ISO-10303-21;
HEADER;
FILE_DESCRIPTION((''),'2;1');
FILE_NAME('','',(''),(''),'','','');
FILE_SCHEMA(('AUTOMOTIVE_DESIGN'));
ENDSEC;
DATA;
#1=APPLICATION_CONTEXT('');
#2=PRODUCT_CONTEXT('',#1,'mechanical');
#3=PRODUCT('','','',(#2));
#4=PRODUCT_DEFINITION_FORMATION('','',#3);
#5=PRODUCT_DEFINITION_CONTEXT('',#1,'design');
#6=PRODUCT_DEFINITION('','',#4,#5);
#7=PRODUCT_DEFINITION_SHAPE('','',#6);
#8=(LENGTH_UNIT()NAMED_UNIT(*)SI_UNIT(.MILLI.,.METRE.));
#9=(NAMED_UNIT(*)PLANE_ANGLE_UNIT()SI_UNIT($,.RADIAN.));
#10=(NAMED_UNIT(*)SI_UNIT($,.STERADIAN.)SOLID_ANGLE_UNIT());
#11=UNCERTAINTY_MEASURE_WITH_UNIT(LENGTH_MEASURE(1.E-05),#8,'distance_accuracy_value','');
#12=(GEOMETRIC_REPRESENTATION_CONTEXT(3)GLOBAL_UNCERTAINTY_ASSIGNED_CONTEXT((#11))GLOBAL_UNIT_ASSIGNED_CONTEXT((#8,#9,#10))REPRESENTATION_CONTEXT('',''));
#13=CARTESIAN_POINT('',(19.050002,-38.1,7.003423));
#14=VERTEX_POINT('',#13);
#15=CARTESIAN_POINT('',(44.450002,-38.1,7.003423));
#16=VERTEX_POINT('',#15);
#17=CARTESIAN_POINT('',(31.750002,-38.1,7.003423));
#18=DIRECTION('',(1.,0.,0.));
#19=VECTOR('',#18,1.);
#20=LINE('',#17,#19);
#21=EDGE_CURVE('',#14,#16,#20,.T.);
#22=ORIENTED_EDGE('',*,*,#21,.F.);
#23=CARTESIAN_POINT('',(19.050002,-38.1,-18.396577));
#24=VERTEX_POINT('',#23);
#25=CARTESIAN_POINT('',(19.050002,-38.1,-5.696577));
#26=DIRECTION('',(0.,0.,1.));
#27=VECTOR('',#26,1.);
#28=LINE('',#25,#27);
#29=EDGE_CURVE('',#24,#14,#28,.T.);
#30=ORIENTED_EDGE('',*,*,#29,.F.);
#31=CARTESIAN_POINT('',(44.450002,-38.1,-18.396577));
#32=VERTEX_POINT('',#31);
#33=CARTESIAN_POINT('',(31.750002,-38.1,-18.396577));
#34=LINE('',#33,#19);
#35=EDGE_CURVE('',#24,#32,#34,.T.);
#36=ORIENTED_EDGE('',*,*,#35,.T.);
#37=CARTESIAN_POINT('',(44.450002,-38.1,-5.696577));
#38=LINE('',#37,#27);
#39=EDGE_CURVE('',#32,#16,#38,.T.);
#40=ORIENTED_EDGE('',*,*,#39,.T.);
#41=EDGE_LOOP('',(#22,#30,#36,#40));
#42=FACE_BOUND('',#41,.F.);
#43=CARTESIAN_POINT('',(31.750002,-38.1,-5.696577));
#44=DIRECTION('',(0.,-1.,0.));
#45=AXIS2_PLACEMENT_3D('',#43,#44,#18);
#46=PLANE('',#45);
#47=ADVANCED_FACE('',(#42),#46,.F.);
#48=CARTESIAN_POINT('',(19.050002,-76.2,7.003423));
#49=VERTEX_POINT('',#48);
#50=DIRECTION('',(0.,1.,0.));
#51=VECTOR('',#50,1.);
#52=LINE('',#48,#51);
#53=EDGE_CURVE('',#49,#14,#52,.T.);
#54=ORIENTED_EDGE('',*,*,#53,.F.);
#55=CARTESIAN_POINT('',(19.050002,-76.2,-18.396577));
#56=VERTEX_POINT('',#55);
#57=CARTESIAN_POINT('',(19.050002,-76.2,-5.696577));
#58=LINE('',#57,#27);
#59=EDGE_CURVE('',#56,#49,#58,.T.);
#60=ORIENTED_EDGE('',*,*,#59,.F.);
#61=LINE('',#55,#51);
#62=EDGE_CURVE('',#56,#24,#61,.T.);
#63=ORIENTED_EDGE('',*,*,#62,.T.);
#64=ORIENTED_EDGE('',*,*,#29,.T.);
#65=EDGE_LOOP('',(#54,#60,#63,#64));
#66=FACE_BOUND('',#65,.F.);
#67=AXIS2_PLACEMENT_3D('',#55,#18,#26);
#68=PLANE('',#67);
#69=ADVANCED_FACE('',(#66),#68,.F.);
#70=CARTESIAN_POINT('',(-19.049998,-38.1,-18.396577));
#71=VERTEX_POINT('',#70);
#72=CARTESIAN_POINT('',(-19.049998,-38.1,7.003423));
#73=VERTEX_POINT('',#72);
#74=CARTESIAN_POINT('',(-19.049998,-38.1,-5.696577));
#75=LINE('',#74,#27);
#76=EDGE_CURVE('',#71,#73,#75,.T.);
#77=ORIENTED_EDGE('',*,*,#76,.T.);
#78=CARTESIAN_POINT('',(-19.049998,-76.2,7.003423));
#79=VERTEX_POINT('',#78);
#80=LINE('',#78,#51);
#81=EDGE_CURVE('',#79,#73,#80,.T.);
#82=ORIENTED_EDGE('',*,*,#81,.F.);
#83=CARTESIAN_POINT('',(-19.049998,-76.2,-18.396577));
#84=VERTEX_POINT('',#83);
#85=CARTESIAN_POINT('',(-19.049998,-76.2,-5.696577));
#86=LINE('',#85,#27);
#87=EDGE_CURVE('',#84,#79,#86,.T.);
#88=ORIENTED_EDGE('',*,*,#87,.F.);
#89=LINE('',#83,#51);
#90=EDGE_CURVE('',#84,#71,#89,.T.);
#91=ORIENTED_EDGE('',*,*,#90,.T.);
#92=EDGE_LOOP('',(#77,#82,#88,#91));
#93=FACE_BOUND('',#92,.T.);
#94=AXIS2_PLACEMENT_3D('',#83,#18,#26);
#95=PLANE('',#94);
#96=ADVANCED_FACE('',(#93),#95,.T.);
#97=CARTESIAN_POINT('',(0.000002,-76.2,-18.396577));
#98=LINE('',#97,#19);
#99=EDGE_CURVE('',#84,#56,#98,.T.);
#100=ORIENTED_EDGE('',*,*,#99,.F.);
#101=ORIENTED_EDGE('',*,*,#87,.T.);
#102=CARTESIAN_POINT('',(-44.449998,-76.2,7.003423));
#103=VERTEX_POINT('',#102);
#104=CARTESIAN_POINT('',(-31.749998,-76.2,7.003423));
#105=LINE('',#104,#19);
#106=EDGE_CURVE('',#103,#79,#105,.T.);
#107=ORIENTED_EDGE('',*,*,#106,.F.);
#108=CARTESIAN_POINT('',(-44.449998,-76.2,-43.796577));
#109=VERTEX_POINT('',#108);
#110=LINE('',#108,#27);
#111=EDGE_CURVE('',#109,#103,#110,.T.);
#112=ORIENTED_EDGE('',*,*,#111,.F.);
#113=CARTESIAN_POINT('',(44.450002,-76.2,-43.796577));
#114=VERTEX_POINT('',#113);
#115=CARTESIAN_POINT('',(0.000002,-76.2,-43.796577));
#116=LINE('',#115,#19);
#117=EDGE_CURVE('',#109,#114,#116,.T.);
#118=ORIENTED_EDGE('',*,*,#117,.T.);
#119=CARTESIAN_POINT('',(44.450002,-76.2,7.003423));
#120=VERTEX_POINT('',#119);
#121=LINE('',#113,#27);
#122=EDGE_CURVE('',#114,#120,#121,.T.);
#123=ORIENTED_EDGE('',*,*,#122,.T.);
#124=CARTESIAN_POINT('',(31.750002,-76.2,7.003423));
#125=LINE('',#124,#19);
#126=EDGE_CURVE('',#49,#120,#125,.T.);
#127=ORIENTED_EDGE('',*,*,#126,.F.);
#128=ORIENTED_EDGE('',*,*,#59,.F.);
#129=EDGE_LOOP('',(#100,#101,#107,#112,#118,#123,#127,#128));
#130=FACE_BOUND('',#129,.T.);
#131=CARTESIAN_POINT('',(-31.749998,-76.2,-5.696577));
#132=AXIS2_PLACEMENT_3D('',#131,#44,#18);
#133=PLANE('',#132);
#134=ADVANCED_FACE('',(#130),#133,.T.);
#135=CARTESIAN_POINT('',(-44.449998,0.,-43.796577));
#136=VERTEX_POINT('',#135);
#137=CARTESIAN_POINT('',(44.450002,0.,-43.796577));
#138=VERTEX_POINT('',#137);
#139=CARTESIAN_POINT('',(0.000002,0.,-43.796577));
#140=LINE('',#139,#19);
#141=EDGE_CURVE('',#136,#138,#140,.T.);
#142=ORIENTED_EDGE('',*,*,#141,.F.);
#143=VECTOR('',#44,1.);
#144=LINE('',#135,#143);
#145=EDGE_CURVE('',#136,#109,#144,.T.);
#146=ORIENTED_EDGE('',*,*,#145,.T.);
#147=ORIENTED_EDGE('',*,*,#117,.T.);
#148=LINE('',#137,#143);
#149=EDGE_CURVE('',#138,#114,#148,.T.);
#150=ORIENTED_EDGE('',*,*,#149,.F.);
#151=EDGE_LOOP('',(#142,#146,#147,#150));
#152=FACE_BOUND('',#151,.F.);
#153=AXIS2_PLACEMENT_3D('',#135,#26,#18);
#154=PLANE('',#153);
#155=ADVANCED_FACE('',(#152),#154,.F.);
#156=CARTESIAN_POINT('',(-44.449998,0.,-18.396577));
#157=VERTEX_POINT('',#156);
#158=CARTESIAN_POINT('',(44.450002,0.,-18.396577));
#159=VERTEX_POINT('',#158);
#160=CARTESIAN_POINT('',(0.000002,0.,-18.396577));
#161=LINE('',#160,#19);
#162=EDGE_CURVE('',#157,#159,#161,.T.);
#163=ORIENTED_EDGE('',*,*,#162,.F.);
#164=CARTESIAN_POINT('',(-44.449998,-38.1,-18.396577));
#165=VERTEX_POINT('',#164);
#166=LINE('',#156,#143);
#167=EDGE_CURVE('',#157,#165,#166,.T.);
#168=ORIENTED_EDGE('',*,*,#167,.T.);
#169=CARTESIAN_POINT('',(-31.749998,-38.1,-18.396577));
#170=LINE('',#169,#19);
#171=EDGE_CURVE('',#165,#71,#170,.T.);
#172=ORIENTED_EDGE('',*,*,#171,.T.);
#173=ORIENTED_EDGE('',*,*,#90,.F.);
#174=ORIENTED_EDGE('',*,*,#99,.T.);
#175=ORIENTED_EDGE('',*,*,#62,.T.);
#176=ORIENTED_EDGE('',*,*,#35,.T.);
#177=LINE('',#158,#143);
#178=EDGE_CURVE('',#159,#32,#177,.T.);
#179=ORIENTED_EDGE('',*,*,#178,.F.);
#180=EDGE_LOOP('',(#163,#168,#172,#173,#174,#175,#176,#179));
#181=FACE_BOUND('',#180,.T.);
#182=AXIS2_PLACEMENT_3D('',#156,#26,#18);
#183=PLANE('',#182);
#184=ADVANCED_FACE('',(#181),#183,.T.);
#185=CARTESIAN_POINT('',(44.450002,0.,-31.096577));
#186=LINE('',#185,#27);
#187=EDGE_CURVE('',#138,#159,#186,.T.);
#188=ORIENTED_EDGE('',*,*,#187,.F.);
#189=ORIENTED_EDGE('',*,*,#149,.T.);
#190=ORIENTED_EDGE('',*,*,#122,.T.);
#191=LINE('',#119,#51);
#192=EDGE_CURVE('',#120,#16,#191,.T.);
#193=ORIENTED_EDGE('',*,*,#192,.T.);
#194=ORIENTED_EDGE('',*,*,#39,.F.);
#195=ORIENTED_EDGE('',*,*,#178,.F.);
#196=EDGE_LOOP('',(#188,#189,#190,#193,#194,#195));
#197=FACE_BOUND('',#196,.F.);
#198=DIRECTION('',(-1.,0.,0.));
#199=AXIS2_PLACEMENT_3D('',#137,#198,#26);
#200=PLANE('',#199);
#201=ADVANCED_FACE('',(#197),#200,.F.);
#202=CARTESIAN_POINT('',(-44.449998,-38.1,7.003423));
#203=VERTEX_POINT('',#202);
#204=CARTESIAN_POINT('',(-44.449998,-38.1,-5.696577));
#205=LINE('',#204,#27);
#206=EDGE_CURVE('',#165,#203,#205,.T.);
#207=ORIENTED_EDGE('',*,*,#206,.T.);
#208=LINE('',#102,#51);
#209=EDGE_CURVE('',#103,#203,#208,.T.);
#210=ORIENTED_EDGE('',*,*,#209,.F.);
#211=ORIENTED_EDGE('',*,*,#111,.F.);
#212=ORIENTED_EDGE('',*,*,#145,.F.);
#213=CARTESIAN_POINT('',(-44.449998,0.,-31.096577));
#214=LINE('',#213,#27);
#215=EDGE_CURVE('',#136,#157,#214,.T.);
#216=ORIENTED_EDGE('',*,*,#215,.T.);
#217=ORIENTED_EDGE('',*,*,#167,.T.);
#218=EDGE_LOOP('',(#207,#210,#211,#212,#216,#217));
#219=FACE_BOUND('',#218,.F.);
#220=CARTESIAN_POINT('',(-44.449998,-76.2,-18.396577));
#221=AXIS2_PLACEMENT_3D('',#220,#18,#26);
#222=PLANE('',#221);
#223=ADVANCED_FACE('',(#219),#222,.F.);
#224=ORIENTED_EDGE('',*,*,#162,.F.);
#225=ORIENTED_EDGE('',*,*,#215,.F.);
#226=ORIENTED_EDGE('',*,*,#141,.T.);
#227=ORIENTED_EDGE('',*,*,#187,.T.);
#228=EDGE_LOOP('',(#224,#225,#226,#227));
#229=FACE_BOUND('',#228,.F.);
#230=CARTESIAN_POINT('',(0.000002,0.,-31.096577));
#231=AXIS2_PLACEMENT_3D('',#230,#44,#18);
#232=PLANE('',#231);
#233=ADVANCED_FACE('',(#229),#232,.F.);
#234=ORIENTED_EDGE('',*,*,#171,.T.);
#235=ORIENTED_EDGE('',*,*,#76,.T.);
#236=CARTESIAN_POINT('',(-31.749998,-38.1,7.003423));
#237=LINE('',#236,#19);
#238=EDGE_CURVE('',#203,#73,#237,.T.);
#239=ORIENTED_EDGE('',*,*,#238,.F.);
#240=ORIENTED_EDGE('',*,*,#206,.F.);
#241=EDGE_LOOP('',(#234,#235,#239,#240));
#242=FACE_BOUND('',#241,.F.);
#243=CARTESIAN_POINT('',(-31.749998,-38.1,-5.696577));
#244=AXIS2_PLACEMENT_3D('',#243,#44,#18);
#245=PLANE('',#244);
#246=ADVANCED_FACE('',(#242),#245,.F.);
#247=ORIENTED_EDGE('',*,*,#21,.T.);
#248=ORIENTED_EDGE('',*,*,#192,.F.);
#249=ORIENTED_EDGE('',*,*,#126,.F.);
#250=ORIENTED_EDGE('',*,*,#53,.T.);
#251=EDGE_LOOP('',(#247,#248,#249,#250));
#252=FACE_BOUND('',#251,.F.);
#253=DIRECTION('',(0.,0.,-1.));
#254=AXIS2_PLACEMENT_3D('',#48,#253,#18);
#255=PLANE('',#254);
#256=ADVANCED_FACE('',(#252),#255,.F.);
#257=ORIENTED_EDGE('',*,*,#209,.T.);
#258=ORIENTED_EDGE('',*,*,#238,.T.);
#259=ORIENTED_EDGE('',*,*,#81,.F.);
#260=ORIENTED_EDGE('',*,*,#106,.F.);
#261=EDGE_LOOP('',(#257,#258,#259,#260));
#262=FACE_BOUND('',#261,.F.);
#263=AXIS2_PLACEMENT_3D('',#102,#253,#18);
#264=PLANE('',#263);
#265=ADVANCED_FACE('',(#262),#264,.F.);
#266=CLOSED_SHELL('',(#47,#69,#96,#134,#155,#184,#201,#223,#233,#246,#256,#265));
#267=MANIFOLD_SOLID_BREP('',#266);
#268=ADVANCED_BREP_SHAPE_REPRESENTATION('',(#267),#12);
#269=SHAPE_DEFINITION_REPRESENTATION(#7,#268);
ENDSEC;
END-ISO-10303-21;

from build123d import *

# Parameters (mm, degrees)
F0_W     = 88.9
F0_H     = 25.4
F1_DEPTH = 76.2
F2_W     = 25.4
F2_H     = 25.4
F3_DEPTH = 38.1


with BuildPart() as f1:
    # F0 (on Front) → F1 (new body)
    with BuildSketch(Plane.XZ):
        with Locations((2e-06, -31.096577)):
            Rectangle(F0_W, F0_H)
    extrude(amount=F1_DEPTH)

    # F2 (on face) → F3 (join)
    with BuildSketch(Plane.XZ.offset(76.2)):
        with Locations((-31.749998, -5.696577)):
            Rectangle(F2_W, F2_H)
        with Locations((31.750002, -5.696577)):
            Rectangle(F2_W, F2_H)
    extrude(amount=-F3_DEPTH)


solid = f1.part
